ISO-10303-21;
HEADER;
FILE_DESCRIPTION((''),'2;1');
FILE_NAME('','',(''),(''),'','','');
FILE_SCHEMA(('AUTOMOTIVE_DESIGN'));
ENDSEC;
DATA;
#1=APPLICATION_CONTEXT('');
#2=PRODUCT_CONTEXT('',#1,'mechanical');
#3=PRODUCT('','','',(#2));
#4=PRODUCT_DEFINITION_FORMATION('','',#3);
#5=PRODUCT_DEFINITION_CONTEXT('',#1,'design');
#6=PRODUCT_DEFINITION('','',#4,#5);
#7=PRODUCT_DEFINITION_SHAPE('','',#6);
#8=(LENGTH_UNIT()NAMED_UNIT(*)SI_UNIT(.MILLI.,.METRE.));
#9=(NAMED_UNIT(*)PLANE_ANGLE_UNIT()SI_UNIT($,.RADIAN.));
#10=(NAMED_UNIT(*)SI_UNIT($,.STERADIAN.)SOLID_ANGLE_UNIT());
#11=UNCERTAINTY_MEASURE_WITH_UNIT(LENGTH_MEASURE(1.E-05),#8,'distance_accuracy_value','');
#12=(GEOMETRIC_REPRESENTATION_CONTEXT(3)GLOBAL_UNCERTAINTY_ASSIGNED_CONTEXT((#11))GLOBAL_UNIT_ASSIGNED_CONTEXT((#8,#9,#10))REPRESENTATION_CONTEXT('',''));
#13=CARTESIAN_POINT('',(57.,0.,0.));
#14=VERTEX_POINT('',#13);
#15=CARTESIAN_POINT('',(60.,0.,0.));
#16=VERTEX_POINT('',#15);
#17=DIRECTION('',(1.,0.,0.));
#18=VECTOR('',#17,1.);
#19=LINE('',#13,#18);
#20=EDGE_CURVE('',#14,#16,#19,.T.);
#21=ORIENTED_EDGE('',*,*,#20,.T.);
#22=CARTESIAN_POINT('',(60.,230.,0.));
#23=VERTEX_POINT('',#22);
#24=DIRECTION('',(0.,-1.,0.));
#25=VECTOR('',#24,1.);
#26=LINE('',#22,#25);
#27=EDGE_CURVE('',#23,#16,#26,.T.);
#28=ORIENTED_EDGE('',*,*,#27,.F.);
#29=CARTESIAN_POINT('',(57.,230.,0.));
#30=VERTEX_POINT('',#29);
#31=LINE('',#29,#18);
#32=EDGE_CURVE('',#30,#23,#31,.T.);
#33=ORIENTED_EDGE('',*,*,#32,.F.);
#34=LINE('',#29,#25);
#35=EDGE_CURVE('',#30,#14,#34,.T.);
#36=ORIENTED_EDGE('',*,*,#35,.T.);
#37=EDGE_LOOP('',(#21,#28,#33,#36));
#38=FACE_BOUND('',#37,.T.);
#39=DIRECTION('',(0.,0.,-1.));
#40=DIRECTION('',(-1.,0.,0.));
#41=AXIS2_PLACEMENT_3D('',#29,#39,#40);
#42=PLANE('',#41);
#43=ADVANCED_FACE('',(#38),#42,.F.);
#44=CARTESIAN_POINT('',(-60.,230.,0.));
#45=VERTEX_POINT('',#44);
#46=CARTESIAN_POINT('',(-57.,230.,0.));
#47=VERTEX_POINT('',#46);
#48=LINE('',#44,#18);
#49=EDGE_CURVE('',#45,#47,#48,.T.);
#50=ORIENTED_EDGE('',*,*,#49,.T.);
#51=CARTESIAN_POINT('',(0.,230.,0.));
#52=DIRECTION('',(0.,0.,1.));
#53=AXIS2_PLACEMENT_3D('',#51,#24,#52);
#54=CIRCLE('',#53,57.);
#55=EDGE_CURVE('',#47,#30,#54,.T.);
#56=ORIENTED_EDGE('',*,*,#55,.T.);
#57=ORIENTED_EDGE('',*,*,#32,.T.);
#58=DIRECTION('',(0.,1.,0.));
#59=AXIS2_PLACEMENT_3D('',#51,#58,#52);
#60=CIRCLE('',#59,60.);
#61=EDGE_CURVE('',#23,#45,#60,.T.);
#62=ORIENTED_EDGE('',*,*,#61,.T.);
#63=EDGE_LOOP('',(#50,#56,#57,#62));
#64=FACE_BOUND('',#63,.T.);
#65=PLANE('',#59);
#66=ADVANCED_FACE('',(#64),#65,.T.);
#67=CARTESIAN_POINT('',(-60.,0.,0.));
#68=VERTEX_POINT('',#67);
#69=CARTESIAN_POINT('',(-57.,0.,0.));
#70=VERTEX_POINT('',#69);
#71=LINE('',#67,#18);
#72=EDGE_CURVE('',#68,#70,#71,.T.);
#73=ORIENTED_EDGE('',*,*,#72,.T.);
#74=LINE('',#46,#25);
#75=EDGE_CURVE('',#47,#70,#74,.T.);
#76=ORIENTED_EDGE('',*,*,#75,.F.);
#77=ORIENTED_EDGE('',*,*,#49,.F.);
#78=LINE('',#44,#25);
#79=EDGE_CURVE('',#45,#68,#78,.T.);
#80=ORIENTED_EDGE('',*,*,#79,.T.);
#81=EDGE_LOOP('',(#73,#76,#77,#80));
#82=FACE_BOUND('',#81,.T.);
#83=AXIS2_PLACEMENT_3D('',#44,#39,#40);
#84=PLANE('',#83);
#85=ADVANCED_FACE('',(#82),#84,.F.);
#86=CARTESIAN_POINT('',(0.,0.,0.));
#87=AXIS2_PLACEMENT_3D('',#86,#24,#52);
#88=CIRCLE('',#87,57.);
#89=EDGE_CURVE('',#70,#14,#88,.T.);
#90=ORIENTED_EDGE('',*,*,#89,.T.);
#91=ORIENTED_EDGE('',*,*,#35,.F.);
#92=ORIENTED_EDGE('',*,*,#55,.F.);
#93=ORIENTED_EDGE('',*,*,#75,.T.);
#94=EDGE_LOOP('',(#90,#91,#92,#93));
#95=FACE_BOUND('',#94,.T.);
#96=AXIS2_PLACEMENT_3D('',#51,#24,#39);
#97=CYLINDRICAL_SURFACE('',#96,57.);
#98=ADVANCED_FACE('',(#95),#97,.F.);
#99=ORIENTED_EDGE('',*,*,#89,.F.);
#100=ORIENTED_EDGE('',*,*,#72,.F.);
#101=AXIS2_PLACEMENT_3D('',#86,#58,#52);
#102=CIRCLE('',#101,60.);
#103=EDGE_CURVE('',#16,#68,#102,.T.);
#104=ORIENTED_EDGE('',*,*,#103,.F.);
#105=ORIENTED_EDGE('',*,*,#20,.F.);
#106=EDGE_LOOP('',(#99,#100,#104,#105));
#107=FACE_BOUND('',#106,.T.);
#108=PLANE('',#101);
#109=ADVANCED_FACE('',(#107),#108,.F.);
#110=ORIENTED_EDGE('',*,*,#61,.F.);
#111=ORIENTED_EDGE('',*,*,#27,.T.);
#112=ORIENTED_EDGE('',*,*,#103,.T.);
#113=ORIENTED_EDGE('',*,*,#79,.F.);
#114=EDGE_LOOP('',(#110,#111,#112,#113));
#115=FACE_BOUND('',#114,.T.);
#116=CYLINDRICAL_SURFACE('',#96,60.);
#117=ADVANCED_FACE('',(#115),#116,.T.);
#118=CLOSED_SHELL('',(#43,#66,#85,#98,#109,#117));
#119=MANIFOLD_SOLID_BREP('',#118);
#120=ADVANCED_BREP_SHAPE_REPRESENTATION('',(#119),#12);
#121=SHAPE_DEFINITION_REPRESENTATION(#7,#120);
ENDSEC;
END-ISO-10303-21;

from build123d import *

# Parameters (mm, degrees)
BOSS_EXTRUDE1_DEPTH = 230


with BuildPart() as part:
    # Sketch1 → Boss-Extrude1 (new body)
    with BuildSketch(Plane(origin=(0, 0, 0), x_dir=(1, 0, 0), z_dir=(0, 1, 0))):
        with BuildLine():
            Line((-60, 0), (-57, 0))
            ThreePointArc((-57, 0), (0, 57), (57, 0))
            Line((57, 0), (60, 0))
            ThreePointArc((60, 0), (0, 60), (-60, 0))
        make_face()
    extrude(amount=BOSS_EXTRUDE1_DEPTH)


solid = part.part
